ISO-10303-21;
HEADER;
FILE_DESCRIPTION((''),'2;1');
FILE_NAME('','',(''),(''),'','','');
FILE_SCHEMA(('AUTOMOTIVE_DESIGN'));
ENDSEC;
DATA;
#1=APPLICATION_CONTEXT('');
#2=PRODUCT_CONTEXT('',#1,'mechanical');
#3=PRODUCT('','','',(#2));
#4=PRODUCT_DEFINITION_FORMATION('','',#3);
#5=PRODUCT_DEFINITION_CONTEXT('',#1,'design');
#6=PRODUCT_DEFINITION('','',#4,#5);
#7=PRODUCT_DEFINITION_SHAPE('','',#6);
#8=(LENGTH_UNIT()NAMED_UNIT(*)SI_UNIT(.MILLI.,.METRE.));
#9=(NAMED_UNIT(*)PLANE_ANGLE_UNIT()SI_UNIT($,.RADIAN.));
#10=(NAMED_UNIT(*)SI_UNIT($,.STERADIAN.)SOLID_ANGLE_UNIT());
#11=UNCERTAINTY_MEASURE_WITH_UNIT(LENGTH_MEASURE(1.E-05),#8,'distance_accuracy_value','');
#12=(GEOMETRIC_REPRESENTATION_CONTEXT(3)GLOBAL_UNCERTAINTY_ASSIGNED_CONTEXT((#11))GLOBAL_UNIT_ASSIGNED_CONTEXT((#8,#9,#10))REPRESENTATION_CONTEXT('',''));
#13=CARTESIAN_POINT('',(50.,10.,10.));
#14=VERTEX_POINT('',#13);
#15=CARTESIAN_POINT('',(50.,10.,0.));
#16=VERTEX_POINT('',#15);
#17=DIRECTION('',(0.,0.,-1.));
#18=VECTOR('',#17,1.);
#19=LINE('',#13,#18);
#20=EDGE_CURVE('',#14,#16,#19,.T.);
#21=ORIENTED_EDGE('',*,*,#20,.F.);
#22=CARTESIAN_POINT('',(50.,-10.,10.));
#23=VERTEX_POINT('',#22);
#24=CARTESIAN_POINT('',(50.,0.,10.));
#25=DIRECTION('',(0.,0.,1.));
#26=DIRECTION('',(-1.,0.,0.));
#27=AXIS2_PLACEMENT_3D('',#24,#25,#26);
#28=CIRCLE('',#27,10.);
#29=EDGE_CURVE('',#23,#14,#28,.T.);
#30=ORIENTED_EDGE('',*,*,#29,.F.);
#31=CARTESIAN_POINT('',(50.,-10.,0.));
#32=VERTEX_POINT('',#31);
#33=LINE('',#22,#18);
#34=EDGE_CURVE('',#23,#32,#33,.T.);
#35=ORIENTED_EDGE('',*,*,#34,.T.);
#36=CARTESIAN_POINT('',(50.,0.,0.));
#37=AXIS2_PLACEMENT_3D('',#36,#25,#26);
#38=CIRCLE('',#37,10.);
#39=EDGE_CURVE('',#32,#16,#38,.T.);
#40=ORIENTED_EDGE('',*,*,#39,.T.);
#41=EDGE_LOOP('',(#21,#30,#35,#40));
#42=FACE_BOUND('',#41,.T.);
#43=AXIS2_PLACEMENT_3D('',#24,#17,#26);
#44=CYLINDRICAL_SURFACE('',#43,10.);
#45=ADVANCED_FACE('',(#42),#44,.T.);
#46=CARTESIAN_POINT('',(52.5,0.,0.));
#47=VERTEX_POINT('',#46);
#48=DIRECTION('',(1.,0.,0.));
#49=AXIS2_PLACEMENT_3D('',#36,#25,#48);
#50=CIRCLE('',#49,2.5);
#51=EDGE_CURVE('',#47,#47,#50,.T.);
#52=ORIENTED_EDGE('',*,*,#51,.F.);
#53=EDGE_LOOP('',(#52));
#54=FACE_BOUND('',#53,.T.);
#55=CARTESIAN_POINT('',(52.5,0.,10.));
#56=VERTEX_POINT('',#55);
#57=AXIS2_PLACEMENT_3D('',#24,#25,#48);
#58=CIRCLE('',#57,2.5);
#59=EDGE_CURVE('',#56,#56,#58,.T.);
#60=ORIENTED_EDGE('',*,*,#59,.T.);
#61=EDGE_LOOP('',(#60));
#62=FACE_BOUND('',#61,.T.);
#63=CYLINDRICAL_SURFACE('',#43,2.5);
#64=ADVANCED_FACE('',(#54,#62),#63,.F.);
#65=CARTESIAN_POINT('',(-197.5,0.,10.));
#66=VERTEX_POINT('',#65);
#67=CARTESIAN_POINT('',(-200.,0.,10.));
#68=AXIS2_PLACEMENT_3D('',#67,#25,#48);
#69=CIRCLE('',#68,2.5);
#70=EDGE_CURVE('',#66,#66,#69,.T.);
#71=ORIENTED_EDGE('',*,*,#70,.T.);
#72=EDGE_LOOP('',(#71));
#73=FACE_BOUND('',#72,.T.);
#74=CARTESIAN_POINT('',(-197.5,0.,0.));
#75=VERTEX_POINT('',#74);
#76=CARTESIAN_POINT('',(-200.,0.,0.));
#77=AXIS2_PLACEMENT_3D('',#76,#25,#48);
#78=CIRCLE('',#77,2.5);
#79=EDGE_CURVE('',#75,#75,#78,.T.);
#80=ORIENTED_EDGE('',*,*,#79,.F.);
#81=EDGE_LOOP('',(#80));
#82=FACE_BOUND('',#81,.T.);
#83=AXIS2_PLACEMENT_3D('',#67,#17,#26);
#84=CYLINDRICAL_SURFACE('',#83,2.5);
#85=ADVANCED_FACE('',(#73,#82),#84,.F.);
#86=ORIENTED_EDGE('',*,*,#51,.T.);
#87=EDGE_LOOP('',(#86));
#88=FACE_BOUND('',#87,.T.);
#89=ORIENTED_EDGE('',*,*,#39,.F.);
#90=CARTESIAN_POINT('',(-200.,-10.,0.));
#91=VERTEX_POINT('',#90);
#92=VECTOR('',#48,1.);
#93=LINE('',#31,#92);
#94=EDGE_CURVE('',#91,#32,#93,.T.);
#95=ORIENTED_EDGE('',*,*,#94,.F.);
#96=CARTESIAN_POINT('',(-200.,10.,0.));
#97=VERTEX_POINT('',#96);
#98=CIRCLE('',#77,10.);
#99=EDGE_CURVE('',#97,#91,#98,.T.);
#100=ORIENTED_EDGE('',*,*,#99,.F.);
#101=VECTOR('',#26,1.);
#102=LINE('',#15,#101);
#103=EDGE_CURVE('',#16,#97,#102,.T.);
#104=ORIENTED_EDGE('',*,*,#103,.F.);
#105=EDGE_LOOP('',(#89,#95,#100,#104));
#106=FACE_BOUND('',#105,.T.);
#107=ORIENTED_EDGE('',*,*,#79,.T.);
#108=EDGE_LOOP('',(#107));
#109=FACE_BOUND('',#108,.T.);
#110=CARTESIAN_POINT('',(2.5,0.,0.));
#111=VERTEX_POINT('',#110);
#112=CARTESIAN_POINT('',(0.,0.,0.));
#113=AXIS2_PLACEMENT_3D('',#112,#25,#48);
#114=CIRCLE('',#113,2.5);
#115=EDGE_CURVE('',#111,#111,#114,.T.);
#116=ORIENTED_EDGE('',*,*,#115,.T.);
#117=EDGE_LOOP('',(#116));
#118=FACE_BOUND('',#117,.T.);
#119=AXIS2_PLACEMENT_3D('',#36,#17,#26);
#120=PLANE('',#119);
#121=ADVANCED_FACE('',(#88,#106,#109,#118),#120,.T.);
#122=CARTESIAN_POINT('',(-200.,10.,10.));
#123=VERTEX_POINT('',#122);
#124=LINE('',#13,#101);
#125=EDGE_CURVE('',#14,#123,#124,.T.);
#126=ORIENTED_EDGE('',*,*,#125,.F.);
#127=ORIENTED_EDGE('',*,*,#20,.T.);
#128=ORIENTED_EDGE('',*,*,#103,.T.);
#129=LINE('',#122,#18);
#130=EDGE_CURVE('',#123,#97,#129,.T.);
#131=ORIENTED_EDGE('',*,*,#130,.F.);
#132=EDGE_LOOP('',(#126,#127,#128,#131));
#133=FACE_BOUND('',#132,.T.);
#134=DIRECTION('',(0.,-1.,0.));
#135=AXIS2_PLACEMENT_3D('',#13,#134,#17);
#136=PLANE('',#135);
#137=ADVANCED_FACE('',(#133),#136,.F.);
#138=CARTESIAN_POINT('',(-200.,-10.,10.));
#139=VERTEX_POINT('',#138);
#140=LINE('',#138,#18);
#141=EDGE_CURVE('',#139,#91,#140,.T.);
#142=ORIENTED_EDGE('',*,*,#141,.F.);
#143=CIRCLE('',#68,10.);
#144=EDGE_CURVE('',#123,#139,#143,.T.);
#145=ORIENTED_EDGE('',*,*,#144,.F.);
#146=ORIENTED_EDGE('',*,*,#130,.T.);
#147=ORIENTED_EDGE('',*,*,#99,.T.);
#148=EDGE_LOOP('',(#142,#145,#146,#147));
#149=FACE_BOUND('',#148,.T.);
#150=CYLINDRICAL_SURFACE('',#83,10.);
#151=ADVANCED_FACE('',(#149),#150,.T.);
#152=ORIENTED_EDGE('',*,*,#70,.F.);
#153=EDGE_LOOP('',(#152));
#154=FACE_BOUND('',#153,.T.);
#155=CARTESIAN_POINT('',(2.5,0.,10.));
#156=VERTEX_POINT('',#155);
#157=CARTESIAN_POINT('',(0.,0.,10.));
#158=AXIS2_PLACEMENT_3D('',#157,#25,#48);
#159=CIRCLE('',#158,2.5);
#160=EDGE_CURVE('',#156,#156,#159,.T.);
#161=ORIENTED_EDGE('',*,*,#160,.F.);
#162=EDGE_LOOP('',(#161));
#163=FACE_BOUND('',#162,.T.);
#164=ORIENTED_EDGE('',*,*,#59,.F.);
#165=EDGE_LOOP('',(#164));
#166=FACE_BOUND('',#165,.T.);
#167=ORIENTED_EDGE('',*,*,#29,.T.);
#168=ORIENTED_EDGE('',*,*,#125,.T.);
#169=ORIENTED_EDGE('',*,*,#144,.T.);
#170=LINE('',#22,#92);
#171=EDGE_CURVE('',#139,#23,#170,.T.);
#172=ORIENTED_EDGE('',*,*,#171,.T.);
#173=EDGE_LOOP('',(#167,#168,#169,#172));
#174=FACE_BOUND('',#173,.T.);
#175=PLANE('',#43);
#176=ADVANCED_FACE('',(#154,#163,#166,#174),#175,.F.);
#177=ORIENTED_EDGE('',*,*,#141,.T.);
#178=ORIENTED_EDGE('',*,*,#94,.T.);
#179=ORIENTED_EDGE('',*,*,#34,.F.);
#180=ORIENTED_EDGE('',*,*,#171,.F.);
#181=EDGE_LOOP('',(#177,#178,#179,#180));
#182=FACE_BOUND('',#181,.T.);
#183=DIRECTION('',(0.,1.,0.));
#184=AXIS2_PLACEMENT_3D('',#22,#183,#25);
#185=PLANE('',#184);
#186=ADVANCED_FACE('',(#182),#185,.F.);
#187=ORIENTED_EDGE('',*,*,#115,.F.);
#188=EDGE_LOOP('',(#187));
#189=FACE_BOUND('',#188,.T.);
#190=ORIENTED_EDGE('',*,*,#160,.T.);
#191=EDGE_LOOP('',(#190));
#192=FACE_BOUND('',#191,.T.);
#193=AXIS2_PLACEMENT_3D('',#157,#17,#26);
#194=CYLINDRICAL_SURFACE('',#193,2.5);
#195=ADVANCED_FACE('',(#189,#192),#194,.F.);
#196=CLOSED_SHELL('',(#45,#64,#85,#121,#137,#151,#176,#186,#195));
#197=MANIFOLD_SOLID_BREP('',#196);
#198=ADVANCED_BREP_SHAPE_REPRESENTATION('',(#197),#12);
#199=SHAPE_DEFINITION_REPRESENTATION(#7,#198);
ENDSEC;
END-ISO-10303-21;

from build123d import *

# Parameters (mm, degrees)
SKETCH1_R           = 2.5
BOSS_EXTRUDE1_DEPTH = 10


with BuildPart() as part:
    # Sketch1 → Boss-Extrude1 (new body)
    with BuildSketch(Plane.XY):
        with BuildLine():
            Line((50, 10), (-200, 10))
            ThreePointArc((-200, 10), (-210, 0), (-200, -10))
            Line((-200, -10), (50, -10))
            ThreePointArc((50, -10), (60, 0), (50, 10))
        make_face()
        Circle(SKETCH1_R, mode=Mode.SUBTRACT)
        with Locations((50, 0)):
            Circle(SKETCH1_R, mode=Mode.SUBTRACT)
        with Locations((-200, 0)):
            Circle(SKETCH1_R, mode=Mode.SUBTRACT)
    extrude(amount=BOSS_EXTRUDE1_DEPTH)


solid = part.part
